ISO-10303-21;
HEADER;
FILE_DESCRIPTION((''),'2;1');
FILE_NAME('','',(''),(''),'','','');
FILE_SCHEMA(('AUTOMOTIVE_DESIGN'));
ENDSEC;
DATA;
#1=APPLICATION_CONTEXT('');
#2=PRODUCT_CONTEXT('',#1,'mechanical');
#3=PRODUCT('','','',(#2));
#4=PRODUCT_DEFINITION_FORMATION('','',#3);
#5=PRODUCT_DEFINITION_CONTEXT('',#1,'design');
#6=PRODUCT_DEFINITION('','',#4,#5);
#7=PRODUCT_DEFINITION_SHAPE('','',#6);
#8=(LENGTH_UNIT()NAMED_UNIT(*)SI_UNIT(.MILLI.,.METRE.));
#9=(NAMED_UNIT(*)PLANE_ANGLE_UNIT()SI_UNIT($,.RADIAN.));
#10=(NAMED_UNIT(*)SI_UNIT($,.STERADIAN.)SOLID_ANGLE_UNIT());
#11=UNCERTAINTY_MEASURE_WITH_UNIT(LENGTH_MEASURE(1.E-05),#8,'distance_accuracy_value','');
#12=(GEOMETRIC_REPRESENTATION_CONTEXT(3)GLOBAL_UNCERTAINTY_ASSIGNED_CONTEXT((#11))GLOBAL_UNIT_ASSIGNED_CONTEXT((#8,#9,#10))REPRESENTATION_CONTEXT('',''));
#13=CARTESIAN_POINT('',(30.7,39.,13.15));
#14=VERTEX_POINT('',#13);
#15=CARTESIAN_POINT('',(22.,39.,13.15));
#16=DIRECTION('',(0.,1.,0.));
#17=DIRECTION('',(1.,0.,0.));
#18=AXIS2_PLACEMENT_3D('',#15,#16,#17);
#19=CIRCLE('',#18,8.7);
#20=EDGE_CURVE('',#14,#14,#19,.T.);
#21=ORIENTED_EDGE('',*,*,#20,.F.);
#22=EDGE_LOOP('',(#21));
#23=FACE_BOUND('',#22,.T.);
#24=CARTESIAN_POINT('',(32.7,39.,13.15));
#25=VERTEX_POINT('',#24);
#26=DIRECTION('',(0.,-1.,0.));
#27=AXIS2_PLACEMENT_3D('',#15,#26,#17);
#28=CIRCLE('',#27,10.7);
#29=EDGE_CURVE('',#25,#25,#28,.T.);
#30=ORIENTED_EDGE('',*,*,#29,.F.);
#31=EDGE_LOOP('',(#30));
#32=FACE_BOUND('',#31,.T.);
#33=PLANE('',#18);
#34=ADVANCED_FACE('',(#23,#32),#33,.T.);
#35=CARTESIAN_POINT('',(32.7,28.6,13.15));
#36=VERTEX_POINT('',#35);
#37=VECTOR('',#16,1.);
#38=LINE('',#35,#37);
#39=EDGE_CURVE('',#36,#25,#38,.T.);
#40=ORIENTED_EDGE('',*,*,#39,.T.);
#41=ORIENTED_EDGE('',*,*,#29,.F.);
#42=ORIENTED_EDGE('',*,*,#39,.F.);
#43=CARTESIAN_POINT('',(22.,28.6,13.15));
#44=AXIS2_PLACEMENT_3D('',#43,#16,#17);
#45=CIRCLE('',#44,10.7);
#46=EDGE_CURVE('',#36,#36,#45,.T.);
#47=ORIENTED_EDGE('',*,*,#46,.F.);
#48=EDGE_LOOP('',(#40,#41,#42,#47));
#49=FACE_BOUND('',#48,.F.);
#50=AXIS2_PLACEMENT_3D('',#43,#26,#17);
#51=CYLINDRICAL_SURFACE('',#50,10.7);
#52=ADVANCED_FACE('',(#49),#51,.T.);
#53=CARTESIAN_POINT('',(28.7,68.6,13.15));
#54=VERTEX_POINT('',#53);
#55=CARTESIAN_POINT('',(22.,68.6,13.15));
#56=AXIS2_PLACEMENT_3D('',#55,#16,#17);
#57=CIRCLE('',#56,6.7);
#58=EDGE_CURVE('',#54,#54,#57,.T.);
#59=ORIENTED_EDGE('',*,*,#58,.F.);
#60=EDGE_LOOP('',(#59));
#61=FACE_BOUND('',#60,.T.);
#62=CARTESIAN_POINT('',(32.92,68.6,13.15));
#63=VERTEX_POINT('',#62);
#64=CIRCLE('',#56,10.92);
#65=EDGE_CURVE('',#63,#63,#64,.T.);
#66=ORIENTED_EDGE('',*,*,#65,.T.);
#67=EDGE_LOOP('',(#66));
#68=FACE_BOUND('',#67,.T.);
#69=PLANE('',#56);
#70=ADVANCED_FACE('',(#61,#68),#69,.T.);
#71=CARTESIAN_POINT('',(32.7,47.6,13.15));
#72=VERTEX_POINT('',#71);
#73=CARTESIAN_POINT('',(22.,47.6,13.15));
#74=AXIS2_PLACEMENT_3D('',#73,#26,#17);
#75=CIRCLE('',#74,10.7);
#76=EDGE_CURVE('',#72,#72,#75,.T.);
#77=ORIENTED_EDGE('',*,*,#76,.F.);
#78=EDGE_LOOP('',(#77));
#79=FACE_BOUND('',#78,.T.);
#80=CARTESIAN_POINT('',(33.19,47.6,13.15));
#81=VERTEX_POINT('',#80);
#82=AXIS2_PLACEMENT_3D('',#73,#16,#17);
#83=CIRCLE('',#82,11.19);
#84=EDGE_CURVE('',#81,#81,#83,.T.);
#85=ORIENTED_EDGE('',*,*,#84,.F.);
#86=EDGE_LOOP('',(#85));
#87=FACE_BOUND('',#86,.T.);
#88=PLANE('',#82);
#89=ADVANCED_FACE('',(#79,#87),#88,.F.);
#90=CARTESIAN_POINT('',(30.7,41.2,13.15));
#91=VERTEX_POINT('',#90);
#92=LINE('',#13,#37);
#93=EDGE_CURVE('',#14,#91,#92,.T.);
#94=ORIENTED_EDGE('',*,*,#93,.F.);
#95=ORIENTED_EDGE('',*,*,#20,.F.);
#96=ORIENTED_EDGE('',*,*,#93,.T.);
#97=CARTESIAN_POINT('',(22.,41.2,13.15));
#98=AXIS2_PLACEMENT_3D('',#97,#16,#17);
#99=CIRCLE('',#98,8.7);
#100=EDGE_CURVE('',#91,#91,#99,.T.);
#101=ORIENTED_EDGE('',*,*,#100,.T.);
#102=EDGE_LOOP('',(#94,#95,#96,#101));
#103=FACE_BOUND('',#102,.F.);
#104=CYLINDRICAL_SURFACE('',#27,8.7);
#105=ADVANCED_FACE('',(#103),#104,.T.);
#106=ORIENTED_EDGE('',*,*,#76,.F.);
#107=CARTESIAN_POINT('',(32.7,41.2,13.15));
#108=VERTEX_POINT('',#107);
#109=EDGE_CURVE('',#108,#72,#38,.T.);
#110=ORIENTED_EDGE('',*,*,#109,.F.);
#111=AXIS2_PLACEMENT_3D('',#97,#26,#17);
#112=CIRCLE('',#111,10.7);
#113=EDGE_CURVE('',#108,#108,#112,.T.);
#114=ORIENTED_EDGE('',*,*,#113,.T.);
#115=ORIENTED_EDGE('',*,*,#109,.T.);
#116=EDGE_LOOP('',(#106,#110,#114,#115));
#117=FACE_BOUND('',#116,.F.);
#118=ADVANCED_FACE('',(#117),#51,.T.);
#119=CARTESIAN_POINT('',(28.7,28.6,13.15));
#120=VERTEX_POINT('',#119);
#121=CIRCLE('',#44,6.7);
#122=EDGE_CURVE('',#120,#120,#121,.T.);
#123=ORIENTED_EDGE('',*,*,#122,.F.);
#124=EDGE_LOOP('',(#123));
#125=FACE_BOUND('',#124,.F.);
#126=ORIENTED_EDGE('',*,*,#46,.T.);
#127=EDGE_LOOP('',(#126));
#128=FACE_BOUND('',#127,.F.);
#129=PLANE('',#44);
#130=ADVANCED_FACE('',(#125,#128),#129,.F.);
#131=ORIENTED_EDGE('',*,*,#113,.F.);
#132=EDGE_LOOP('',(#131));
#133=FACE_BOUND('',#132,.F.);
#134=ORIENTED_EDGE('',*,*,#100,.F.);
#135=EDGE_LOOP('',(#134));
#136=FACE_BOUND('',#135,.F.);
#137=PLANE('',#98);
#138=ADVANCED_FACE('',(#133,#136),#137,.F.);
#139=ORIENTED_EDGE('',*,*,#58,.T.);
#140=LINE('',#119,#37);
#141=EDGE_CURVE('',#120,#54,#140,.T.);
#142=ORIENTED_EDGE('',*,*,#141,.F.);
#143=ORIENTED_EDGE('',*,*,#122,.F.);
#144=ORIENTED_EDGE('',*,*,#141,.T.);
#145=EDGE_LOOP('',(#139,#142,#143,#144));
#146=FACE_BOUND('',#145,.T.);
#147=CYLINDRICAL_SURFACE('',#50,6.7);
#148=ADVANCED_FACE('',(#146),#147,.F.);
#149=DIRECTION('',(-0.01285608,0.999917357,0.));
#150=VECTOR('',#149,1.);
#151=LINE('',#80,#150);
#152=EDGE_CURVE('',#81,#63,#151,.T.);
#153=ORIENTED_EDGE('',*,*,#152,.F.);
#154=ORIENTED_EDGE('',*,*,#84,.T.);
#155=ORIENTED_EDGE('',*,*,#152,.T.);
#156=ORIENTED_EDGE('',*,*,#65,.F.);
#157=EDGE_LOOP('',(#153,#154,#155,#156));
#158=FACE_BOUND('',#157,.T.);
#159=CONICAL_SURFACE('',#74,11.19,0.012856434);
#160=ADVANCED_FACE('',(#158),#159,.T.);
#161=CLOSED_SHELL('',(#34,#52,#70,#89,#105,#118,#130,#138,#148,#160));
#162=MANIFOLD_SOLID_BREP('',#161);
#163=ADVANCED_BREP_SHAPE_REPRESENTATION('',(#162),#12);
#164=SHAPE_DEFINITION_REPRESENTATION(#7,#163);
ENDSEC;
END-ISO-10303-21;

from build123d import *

# Parameters (mm, degrees)
CYLINDER005_R          = 6.7
CYLINDER005_DEPTH      = 40
CYLINDER061_R          = 8.7
CYLINDER061_DEPTH      = 2.2
CYLINDER062_R          = 10.75
CYLINDER062_DEPTH      = 2.2
CYLINDER019_R          = 10.7
CYLINDER019_DEPTH      = 40
CUT022_PLACEMENT_ANGLE = 90


with BuildPart() as noutlettube:
    # Cylinder005 → Cylinder005 (new body)
    with BuildSketch(Plane.XY):
        Circle(CYLINDER005_R)
    extrude(amount=CYLINDER005_DEPTH)


with BuildPart() as nnotchinner:
    # Cylinder061 → Cylinder061 (new body)
    with BuildSketch(Plane.XY.offset(10.4)):
        Circle(CYLINDER061_R)
    extrude(amount=CYLINDER061_DEPTH)


with BuildPart() as noutletextension:
    # Cylinder062 → Cylinder062 (new body)
    with BuildSketch(Plane.XY.offset(10.4)):
        Circle(CYLINDER062_R)
    extrude(amount=CYLINDER062_DEPTH)

    # Cut: cut nNotchInner
    add(nnotchinner.part, mode=Mode.SUBTRACT)

    # Fusion: union nOutletTube
    add(noutlettube.part)


with BuildPart() as housingoutlet:
    # Cylinder019 → Cylinder019 (new body)
    with BuildSketch(Plane.XY):
        Circle(CYLINDER019_R)
    extrude(amount=CYLINDER019_DEPTH)


with BuildPart() as toplevelpart_outletadapter:
    # Cone001 → Cone001 (revolve)
    with BuildSketch(Plane(origin=(0, 0, 19), x_dir=(1, 0, 0), z_dir=(0, -1, 0))):
        Polygon((0, 0), (11.19, 0), (10.92, 21), (0, 21), align=None)
    revolve(axis=Axis((0, 0, 19), (0, 0, 1)))

    # Fusion054: union HousingOutlet
    add(housingoutlet.part)

    # Cut022: cut nOutletExtension
    add(noutletextension.part, mode=Mode.SUBTRACT)


with BuildPart() as toplevelpart_outletadapter_1:
    # Cut022 placement: moved
    add(toplevelpart_outletadapter.part.moved(Location((22, 28.6, 13.15))).rotate(Axis((22, 28.6, 13.15), (-1, 0, 0)), CUT022_PLACEMENT_ANGLE))


solid = toplevelpart_outletadapter_1.part
